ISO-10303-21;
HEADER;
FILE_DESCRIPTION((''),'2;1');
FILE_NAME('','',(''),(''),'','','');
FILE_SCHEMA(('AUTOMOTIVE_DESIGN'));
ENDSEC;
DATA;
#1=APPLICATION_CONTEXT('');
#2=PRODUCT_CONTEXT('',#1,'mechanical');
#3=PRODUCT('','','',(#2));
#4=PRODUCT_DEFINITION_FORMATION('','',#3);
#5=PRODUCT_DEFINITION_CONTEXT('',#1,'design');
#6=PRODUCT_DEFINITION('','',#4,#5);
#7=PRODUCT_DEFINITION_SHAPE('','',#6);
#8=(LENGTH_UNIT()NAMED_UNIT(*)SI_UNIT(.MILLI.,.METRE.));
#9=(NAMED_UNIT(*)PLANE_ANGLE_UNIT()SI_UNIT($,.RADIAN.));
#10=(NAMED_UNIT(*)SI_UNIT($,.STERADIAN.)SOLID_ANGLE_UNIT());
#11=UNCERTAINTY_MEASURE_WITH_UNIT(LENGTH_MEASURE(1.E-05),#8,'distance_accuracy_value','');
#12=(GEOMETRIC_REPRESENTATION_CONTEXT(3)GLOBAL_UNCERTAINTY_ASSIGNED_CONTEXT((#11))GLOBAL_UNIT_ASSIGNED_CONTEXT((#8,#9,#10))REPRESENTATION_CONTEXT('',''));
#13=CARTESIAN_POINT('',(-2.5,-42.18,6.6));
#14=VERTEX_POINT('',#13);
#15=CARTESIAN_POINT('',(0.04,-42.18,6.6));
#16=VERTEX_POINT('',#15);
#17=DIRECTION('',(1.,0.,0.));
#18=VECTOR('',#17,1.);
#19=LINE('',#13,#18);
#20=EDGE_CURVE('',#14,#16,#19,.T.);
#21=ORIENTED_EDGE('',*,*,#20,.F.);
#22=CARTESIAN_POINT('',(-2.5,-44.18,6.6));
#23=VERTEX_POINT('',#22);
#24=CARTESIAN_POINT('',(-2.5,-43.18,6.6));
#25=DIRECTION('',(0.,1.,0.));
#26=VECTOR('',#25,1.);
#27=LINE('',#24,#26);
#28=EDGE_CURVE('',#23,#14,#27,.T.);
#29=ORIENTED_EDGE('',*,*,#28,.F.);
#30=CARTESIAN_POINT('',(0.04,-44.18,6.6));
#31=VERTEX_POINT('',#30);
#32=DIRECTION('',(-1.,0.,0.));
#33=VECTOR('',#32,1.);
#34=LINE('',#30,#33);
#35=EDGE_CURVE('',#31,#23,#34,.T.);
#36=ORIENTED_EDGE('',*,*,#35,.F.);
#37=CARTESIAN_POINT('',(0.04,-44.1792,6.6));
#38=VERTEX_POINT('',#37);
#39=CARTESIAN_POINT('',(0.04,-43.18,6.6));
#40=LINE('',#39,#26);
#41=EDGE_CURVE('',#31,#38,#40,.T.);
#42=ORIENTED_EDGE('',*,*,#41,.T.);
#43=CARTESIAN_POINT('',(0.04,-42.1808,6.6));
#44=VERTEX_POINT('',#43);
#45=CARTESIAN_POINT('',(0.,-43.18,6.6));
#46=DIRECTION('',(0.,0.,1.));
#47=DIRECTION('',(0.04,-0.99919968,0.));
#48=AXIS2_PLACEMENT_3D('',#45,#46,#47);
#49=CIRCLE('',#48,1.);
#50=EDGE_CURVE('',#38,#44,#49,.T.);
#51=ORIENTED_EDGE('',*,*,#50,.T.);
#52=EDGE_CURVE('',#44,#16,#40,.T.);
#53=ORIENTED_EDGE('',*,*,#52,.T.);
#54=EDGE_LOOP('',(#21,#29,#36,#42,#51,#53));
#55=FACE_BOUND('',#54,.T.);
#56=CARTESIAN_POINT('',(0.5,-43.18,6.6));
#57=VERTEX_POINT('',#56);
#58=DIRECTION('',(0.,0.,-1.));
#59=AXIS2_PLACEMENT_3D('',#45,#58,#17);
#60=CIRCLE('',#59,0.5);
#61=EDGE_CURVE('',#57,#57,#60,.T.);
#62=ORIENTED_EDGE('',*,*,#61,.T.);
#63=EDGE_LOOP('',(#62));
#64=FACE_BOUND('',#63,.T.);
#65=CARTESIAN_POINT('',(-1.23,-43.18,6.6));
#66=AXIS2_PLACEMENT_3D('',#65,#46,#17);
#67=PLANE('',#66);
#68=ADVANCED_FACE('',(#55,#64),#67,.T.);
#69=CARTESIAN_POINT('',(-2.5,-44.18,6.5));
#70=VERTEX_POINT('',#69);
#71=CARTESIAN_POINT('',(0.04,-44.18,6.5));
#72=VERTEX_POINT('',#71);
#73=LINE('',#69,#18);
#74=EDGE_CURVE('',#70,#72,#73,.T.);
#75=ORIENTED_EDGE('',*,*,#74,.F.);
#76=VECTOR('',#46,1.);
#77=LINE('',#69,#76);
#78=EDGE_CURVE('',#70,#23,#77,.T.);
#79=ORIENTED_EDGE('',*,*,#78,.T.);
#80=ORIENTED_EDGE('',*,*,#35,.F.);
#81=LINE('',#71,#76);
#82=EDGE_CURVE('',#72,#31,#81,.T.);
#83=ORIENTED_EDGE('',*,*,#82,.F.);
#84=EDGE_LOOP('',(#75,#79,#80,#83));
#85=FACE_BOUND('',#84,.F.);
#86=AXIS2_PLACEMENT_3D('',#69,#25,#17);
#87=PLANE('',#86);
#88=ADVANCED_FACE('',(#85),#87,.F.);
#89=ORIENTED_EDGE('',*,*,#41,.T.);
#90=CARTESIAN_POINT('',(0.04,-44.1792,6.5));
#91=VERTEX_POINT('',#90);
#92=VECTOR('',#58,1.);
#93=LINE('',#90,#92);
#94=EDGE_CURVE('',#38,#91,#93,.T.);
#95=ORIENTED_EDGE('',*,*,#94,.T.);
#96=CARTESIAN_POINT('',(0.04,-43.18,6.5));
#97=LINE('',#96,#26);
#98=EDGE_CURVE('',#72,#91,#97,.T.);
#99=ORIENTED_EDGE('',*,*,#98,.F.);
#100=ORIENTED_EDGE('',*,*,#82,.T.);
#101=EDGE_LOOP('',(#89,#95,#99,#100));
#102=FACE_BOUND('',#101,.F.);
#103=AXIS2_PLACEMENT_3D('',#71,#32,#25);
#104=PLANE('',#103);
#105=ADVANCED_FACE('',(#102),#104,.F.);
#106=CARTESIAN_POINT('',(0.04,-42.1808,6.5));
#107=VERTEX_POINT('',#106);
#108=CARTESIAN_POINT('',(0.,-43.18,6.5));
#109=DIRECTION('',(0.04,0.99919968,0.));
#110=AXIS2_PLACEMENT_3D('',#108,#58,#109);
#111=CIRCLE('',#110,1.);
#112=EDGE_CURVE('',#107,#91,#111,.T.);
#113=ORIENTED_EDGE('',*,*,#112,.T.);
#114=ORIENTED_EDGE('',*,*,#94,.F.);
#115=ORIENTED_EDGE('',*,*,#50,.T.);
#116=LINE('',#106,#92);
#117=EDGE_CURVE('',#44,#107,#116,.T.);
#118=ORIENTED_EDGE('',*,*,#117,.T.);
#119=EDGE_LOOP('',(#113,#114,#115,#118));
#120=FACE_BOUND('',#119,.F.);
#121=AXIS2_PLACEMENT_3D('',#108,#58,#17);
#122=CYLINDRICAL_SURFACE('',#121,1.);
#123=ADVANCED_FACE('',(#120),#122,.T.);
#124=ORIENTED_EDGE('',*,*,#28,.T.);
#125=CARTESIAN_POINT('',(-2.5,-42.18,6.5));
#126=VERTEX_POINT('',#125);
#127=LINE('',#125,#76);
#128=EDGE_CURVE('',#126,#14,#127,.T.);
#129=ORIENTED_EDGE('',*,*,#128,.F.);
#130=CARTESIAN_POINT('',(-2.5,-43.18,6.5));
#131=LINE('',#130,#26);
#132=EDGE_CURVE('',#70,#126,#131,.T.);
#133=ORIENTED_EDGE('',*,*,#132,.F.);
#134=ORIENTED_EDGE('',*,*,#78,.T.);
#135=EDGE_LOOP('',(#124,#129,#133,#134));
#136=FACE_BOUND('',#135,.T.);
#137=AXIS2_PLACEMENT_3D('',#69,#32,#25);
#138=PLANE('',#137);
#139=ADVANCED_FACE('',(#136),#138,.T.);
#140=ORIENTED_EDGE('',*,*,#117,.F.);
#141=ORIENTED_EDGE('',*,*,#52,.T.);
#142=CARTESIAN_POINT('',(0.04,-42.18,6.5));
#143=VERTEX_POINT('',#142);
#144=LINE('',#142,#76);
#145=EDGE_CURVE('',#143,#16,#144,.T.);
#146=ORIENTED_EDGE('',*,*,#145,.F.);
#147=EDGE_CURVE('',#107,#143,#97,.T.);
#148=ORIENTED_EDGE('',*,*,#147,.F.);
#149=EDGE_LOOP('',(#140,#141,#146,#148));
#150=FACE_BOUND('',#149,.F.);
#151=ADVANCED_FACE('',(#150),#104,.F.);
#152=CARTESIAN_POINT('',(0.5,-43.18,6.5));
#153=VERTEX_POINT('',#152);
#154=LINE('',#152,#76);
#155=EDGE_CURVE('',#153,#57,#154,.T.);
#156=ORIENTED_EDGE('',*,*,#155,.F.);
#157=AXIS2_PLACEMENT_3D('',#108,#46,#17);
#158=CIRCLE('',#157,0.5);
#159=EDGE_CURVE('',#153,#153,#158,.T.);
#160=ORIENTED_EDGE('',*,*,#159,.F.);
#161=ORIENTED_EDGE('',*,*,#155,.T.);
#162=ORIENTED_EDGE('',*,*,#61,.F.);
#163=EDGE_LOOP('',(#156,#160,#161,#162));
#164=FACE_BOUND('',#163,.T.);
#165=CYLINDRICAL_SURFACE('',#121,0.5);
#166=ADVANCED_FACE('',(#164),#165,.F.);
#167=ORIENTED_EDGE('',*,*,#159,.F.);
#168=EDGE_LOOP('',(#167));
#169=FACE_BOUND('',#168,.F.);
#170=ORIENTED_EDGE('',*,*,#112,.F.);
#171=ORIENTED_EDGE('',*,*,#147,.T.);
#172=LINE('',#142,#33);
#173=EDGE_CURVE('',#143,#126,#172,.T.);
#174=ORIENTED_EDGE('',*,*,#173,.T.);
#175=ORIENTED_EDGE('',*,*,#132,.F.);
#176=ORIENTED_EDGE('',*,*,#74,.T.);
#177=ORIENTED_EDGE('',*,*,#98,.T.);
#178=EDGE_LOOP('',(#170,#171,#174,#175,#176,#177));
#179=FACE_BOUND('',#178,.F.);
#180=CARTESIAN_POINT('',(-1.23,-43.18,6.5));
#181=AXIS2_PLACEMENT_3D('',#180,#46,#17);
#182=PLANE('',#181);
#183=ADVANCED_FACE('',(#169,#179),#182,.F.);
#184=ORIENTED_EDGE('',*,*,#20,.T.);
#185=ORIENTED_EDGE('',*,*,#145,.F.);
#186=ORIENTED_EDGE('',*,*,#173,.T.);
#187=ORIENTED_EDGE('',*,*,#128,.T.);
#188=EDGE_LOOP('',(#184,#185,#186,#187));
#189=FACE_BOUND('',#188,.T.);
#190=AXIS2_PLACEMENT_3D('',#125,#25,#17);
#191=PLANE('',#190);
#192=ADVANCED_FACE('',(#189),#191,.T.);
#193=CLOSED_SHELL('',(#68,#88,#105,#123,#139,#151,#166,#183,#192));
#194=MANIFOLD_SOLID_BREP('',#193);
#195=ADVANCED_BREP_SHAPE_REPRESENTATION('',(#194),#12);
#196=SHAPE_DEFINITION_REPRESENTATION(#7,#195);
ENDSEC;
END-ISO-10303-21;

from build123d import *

# Parameters (mm, degrees)
CYLINDER053_R     = 0.5
CYLINDER053_DEPTH = 0.1
BOX020_W          = 2.54
BOX020_H          = 2
BOX020_DEPTH      = 0.1
CYLINDER052_R     = 0.5
CYLINDER052_DEPTH = 0.1
CYLINDER051_R     = 1
CYLINDER051_DEPTH = 0.1


with BuildPart() as cylinder053:
    # Cylinder053 → Cylinder053 (new body)
    with BuildSketch(Plane.XY.offset(1)):
        Circle(CYLINDER053_R)
    extrude(amount=CYLINDER053_DEPTH)


with BuildPart() as cut036:
    # Box020 → Box020 (new body)
    with BuildSketch(Plane(origin=(-2.5, -1, 1), x_dir=(1, 0, 0), z_dir=(0, 0, 1))):
        with Locations((1.27, 1)):
            Rectangle(BOX020_W, BOX020_H)
    extrude(amount=BOX020_DEPTH)

    # Cut036: cut Cylinder053
    add(cylinder053.part, mode=Mode.SUBTRACT)


with BuildPart() as cylinder052:
    # Cylinder052 → Cylinder052 (new body)
    with BuildSketch(Plane.XY.offset(1)):
        Circle(CYLINDER052_R)
    extrude(amount=CYLINDER052_DEPTH)


with BuildPart() as fusion017:
    # Cylinder051 → Cylinder051 (new body)
    with BuildSketch(Plane.XY.offset(1)):
        Circle(CYLINDER051_R)
    extrude(amount=CYLINDER051_DEPTH)

    # Cut035: cut Cylinder052
    add(cylinder052.part, mode=Mode.SUBTRACT)

    # Fusion017: union Cut036
    add(cut036.part)


with BuildPart() as fusion017_1:
    # Fusion017 placement: moved
    add(fusion017.part.moved(Location((0, -43.18, 5.5))))


solid = fusion017_1.part
